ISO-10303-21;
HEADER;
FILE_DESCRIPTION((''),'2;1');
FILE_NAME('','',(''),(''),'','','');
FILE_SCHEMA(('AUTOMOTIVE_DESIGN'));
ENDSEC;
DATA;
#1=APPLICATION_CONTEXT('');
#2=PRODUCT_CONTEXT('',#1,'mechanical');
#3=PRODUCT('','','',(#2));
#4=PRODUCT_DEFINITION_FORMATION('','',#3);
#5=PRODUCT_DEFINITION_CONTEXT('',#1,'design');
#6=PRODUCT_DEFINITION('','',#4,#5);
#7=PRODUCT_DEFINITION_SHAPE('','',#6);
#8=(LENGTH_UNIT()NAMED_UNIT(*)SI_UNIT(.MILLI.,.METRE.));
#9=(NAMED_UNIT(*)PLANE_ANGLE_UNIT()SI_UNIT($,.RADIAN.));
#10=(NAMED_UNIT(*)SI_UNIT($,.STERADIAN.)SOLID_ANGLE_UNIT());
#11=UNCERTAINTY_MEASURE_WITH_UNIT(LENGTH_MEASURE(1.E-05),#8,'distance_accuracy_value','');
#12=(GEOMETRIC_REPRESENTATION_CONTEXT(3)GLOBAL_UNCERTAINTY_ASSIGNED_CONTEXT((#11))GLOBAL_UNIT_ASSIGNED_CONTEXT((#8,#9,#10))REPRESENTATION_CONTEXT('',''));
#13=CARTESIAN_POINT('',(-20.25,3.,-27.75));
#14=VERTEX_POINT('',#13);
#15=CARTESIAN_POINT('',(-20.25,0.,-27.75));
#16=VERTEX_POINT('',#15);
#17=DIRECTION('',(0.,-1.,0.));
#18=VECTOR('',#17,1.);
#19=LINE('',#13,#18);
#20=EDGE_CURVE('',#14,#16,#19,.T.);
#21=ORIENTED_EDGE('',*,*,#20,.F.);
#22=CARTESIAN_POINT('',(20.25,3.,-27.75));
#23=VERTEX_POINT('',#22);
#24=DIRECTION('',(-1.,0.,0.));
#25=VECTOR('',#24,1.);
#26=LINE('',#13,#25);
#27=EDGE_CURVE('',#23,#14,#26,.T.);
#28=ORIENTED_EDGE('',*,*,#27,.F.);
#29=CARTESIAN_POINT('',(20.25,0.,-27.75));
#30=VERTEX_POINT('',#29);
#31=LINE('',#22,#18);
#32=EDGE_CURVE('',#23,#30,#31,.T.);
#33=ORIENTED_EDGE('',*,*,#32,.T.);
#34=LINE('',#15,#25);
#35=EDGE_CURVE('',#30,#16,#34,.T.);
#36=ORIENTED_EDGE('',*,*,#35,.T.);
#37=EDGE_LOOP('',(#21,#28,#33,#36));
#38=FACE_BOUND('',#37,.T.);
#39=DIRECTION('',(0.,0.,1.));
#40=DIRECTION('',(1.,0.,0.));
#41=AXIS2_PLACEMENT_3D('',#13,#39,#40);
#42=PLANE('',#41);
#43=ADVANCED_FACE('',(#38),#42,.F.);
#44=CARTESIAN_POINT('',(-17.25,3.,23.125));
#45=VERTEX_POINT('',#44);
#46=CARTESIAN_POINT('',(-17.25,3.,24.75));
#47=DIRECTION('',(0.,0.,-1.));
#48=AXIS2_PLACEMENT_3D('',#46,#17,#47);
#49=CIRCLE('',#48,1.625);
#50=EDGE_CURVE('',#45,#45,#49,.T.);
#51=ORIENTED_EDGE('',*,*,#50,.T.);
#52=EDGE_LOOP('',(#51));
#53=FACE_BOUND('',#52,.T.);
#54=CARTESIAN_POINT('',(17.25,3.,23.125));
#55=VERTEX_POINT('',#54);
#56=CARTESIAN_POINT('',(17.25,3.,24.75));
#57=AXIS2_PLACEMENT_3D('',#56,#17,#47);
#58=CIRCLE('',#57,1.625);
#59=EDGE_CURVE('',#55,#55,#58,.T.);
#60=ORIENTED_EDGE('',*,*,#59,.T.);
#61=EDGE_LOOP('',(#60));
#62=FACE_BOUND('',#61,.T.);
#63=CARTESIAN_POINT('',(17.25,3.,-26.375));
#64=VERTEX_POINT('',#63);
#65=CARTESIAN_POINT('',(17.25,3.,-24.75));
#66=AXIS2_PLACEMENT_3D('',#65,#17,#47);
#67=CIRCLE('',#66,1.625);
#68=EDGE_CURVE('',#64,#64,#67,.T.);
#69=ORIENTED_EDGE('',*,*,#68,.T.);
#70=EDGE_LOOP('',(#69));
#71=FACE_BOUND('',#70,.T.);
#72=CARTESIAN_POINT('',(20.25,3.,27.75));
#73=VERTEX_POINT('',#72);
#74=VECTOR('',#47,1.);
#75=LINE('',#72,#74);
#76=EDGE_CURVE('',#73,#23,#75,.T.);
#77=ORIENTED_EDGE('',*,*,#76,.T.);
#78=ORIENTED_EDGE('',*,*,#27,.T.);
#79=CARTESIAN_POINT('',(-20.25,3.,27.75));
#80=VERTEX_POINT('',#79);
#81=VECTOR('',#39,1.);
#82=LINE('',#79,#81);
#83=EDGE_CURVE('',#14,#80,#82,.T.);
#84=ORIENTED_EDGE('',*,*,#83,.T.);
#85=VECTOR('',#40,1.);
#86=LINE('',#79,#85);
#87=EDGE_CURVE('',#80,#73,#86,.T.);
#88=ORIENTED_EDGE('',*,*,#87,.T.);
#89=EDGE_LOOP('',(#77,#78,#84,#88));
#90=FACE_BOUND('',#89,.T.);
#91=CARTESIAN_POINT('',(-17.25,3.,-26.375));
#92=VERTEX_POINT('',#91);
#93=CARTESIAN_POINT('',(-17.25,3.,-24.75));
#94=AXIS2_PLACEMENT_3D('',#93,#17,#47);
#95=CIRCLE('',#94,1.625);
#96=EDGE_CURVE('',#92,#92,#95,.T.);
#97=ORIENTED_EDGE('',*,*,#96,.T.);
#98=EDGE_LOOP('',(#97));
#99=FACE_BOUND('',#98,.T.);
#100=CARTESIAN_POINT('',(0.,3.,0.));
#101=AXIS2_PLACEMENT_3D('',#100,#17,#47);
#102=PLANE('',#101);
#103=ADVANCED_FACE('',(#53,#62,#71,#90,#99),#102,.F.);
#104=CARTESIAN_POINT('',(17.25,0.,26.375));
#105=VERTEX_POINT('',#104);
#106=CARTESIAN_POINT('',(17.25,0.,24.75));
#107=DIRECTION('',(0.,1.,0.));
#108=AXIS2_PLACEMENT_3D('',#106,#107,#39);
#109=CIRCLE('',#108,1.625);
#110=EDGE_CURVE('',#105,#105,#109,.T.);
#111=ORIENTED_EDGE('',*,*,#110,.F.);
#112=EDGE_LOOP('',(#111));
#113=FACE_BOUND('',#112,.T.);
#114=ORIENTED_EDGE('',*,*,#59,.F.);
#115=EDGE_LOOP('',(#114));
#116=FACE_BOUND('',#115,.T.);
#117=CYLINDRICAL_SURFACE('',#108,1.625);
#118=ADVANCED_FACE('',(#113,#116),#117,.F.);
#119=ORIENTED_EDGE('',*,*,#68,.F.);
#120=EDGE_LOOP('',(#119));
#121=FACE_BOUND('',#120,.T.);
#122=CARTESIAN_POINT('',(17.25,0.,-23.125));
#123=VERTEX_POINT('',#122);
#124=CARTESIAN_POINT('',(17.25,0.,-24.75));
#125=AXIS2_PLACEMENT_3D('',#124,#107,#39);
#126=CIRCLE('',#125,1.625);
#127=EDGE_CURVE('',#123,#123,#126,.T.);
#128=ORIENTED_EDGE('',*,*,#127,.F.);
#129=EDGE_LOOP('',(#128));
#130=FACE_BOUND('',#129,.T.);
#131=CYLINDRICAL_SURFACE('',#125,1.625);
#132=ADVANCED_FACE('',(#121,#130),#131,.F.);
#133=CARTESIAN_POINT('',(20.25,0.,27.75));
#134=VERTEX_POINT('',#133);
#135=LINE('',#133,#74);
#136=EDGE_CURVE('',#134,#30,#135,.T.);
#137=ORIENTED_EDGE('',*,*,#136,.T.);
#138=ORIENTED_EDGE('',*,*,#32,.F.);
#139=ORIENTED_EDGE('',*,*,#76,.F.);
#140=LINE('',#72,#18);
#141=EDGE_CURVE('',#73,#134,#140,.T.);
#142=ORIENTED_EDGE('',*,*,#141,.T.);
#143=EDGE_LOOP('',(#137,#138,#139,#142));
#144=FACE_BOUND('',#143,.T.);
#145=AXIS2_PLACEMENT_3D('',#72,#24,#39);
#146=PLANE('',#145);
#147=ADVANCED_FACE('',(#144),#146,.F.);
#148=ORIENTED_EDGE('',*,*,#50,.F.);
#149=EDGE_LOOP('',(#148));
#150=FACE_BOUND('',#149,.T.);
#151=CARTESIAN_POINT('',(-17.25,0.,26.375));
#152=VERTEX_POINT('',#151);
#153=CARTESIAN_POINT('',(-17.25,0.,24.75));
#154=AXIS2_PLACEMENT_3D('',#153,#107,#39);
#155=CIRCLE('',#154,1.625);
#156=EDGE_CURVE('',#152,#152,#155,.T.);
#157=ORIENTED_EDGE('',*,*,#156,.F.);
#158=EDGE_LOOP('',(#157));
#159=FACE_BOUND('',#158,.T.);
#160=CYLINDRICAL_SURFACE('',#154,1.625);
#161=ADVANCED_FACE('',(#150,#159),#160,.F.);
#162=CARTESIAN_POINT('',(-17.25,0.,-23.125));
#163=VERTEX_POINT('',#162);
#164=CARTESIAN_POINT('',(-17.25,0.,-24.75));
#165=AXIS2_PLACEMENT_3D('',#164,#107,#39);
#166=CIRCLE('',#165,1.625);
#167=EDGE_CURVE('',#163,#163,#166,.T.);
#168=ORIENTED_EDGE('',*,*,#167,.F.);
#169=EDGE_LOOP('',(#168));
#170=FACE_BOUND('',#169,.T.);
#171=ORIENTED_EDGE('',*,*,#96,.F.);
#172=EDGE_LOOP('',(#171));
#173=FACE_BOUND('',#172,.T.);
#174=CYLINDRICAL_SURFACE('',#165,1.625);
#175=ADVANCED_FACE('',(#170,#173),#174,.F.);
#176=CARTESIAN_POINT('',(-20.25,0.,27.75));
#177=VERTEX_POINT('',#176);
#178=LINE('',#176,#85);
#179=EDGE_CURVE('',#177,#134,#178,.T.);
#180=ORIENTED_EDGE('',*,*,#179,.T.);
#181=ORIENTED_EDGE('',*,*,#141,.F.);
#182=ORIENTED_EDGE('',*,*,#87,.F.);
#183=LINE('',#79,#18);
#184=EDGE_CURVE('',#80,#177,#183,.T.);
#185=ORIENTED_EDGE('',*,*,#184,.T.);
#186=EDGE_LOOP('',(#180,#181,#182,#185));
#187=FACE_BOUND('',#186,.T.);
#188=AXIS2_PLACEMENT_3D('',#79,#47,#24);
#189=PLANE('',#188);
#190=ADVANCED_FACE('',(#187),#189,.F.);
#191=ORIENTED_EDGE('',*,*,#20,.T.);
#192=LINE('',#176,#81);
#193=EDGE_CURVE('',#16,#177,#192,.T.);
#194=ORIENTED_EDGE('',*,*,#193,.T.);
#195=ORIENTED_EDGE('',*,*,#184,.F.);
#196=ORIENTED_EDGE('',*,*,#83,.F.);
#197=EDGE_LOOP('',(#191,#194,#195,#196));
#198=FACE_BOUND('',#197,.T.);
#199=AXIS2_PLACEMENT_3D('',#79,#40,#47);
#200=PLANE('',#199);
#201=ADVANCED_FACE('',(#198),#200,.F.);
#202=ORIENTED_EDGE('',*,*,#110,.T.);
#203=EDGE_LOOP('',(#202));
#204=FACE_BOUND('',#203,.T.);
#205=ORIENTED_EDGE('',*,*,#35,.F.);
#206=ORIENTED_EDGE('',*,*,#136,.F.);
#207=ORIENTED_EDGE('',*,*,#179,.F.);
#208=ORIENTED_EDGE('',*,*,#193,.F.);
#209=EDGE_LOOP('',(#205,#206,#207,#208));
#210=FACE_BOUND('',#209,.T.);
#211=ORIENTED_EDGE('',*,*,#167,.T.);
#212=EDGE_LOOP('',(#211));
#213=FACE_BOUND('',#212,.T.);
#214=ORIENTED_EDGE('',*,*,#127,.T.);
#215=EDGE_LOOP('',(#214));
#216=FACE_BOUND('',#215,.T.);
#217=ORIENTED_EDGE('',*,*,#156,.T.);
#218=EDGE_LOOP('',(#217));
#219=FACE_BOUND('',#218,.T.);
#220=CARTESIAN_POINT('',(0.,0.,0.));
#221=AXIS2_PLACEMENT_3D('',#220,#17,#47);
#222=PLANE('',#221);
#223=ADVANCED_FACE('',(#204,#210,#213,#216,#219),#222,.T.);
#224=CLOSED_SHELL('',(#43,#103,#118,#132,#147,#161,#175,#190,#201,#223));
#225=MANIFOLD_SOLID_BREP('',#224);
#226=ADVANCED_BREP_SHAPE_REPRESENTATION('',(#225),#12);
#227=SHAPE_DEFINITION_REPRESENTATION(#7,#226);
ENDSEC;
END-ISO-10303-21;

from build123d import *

# Parameters (mm, degrees)
SKETCH1_W               = 40.5
SKETCH1_H               = 55.5
BOSS_EXTRUDE1_DEPTH     = 3
SKETCH2_R               = 1.625
CUT_EXTRUDE1_DEPTH      = 1
CUT_EXTRUDE1_DEPTH_BACK = 4


with BuildPart() as part:
    # Sketch1 → Boss-Extrude1 (new body)
    with BuildSketch(Plane(origin=(0, 0, 0), x_dir=(1, 0, 0), z_dir=(0, 1, 0))):
        Rectangle(SKETCH1_W, SKETCH1_H)
    extrude(amount=BOSS_EXTRUDE1_DEPTH)

    # Sketch2 → Cut-Extrude1 (cut, two sides)
    with BuildSketch(Plane(origin=(0, 3, 0), x_dir=(1, 0, 0), z_dir=(0, 1, 0))) as cut_extrude1_sk:
        with Locations((-17.25, 24.75)):
            Circle(SKETCH2_R)
        with Locations((17.25, 24.75)):
            Circle(SKETCH2_R)
        with Locations((17.25, -24.75)):
            Circle(SKETCH2_R)
        with Locations((-17.25, -24.75)):
            Circle(SKETCH2_R)
    extrude(amount=CUT_EXTRUDE1_DEPTH, mode=Mode.SUBTRACT)
    extrude(cut_extrude1_sk.sketch, amount=-CUT_EXTRUDE1_DEPTH_BACK, mode=Mode.SUBTRACT)


solid = part.part
